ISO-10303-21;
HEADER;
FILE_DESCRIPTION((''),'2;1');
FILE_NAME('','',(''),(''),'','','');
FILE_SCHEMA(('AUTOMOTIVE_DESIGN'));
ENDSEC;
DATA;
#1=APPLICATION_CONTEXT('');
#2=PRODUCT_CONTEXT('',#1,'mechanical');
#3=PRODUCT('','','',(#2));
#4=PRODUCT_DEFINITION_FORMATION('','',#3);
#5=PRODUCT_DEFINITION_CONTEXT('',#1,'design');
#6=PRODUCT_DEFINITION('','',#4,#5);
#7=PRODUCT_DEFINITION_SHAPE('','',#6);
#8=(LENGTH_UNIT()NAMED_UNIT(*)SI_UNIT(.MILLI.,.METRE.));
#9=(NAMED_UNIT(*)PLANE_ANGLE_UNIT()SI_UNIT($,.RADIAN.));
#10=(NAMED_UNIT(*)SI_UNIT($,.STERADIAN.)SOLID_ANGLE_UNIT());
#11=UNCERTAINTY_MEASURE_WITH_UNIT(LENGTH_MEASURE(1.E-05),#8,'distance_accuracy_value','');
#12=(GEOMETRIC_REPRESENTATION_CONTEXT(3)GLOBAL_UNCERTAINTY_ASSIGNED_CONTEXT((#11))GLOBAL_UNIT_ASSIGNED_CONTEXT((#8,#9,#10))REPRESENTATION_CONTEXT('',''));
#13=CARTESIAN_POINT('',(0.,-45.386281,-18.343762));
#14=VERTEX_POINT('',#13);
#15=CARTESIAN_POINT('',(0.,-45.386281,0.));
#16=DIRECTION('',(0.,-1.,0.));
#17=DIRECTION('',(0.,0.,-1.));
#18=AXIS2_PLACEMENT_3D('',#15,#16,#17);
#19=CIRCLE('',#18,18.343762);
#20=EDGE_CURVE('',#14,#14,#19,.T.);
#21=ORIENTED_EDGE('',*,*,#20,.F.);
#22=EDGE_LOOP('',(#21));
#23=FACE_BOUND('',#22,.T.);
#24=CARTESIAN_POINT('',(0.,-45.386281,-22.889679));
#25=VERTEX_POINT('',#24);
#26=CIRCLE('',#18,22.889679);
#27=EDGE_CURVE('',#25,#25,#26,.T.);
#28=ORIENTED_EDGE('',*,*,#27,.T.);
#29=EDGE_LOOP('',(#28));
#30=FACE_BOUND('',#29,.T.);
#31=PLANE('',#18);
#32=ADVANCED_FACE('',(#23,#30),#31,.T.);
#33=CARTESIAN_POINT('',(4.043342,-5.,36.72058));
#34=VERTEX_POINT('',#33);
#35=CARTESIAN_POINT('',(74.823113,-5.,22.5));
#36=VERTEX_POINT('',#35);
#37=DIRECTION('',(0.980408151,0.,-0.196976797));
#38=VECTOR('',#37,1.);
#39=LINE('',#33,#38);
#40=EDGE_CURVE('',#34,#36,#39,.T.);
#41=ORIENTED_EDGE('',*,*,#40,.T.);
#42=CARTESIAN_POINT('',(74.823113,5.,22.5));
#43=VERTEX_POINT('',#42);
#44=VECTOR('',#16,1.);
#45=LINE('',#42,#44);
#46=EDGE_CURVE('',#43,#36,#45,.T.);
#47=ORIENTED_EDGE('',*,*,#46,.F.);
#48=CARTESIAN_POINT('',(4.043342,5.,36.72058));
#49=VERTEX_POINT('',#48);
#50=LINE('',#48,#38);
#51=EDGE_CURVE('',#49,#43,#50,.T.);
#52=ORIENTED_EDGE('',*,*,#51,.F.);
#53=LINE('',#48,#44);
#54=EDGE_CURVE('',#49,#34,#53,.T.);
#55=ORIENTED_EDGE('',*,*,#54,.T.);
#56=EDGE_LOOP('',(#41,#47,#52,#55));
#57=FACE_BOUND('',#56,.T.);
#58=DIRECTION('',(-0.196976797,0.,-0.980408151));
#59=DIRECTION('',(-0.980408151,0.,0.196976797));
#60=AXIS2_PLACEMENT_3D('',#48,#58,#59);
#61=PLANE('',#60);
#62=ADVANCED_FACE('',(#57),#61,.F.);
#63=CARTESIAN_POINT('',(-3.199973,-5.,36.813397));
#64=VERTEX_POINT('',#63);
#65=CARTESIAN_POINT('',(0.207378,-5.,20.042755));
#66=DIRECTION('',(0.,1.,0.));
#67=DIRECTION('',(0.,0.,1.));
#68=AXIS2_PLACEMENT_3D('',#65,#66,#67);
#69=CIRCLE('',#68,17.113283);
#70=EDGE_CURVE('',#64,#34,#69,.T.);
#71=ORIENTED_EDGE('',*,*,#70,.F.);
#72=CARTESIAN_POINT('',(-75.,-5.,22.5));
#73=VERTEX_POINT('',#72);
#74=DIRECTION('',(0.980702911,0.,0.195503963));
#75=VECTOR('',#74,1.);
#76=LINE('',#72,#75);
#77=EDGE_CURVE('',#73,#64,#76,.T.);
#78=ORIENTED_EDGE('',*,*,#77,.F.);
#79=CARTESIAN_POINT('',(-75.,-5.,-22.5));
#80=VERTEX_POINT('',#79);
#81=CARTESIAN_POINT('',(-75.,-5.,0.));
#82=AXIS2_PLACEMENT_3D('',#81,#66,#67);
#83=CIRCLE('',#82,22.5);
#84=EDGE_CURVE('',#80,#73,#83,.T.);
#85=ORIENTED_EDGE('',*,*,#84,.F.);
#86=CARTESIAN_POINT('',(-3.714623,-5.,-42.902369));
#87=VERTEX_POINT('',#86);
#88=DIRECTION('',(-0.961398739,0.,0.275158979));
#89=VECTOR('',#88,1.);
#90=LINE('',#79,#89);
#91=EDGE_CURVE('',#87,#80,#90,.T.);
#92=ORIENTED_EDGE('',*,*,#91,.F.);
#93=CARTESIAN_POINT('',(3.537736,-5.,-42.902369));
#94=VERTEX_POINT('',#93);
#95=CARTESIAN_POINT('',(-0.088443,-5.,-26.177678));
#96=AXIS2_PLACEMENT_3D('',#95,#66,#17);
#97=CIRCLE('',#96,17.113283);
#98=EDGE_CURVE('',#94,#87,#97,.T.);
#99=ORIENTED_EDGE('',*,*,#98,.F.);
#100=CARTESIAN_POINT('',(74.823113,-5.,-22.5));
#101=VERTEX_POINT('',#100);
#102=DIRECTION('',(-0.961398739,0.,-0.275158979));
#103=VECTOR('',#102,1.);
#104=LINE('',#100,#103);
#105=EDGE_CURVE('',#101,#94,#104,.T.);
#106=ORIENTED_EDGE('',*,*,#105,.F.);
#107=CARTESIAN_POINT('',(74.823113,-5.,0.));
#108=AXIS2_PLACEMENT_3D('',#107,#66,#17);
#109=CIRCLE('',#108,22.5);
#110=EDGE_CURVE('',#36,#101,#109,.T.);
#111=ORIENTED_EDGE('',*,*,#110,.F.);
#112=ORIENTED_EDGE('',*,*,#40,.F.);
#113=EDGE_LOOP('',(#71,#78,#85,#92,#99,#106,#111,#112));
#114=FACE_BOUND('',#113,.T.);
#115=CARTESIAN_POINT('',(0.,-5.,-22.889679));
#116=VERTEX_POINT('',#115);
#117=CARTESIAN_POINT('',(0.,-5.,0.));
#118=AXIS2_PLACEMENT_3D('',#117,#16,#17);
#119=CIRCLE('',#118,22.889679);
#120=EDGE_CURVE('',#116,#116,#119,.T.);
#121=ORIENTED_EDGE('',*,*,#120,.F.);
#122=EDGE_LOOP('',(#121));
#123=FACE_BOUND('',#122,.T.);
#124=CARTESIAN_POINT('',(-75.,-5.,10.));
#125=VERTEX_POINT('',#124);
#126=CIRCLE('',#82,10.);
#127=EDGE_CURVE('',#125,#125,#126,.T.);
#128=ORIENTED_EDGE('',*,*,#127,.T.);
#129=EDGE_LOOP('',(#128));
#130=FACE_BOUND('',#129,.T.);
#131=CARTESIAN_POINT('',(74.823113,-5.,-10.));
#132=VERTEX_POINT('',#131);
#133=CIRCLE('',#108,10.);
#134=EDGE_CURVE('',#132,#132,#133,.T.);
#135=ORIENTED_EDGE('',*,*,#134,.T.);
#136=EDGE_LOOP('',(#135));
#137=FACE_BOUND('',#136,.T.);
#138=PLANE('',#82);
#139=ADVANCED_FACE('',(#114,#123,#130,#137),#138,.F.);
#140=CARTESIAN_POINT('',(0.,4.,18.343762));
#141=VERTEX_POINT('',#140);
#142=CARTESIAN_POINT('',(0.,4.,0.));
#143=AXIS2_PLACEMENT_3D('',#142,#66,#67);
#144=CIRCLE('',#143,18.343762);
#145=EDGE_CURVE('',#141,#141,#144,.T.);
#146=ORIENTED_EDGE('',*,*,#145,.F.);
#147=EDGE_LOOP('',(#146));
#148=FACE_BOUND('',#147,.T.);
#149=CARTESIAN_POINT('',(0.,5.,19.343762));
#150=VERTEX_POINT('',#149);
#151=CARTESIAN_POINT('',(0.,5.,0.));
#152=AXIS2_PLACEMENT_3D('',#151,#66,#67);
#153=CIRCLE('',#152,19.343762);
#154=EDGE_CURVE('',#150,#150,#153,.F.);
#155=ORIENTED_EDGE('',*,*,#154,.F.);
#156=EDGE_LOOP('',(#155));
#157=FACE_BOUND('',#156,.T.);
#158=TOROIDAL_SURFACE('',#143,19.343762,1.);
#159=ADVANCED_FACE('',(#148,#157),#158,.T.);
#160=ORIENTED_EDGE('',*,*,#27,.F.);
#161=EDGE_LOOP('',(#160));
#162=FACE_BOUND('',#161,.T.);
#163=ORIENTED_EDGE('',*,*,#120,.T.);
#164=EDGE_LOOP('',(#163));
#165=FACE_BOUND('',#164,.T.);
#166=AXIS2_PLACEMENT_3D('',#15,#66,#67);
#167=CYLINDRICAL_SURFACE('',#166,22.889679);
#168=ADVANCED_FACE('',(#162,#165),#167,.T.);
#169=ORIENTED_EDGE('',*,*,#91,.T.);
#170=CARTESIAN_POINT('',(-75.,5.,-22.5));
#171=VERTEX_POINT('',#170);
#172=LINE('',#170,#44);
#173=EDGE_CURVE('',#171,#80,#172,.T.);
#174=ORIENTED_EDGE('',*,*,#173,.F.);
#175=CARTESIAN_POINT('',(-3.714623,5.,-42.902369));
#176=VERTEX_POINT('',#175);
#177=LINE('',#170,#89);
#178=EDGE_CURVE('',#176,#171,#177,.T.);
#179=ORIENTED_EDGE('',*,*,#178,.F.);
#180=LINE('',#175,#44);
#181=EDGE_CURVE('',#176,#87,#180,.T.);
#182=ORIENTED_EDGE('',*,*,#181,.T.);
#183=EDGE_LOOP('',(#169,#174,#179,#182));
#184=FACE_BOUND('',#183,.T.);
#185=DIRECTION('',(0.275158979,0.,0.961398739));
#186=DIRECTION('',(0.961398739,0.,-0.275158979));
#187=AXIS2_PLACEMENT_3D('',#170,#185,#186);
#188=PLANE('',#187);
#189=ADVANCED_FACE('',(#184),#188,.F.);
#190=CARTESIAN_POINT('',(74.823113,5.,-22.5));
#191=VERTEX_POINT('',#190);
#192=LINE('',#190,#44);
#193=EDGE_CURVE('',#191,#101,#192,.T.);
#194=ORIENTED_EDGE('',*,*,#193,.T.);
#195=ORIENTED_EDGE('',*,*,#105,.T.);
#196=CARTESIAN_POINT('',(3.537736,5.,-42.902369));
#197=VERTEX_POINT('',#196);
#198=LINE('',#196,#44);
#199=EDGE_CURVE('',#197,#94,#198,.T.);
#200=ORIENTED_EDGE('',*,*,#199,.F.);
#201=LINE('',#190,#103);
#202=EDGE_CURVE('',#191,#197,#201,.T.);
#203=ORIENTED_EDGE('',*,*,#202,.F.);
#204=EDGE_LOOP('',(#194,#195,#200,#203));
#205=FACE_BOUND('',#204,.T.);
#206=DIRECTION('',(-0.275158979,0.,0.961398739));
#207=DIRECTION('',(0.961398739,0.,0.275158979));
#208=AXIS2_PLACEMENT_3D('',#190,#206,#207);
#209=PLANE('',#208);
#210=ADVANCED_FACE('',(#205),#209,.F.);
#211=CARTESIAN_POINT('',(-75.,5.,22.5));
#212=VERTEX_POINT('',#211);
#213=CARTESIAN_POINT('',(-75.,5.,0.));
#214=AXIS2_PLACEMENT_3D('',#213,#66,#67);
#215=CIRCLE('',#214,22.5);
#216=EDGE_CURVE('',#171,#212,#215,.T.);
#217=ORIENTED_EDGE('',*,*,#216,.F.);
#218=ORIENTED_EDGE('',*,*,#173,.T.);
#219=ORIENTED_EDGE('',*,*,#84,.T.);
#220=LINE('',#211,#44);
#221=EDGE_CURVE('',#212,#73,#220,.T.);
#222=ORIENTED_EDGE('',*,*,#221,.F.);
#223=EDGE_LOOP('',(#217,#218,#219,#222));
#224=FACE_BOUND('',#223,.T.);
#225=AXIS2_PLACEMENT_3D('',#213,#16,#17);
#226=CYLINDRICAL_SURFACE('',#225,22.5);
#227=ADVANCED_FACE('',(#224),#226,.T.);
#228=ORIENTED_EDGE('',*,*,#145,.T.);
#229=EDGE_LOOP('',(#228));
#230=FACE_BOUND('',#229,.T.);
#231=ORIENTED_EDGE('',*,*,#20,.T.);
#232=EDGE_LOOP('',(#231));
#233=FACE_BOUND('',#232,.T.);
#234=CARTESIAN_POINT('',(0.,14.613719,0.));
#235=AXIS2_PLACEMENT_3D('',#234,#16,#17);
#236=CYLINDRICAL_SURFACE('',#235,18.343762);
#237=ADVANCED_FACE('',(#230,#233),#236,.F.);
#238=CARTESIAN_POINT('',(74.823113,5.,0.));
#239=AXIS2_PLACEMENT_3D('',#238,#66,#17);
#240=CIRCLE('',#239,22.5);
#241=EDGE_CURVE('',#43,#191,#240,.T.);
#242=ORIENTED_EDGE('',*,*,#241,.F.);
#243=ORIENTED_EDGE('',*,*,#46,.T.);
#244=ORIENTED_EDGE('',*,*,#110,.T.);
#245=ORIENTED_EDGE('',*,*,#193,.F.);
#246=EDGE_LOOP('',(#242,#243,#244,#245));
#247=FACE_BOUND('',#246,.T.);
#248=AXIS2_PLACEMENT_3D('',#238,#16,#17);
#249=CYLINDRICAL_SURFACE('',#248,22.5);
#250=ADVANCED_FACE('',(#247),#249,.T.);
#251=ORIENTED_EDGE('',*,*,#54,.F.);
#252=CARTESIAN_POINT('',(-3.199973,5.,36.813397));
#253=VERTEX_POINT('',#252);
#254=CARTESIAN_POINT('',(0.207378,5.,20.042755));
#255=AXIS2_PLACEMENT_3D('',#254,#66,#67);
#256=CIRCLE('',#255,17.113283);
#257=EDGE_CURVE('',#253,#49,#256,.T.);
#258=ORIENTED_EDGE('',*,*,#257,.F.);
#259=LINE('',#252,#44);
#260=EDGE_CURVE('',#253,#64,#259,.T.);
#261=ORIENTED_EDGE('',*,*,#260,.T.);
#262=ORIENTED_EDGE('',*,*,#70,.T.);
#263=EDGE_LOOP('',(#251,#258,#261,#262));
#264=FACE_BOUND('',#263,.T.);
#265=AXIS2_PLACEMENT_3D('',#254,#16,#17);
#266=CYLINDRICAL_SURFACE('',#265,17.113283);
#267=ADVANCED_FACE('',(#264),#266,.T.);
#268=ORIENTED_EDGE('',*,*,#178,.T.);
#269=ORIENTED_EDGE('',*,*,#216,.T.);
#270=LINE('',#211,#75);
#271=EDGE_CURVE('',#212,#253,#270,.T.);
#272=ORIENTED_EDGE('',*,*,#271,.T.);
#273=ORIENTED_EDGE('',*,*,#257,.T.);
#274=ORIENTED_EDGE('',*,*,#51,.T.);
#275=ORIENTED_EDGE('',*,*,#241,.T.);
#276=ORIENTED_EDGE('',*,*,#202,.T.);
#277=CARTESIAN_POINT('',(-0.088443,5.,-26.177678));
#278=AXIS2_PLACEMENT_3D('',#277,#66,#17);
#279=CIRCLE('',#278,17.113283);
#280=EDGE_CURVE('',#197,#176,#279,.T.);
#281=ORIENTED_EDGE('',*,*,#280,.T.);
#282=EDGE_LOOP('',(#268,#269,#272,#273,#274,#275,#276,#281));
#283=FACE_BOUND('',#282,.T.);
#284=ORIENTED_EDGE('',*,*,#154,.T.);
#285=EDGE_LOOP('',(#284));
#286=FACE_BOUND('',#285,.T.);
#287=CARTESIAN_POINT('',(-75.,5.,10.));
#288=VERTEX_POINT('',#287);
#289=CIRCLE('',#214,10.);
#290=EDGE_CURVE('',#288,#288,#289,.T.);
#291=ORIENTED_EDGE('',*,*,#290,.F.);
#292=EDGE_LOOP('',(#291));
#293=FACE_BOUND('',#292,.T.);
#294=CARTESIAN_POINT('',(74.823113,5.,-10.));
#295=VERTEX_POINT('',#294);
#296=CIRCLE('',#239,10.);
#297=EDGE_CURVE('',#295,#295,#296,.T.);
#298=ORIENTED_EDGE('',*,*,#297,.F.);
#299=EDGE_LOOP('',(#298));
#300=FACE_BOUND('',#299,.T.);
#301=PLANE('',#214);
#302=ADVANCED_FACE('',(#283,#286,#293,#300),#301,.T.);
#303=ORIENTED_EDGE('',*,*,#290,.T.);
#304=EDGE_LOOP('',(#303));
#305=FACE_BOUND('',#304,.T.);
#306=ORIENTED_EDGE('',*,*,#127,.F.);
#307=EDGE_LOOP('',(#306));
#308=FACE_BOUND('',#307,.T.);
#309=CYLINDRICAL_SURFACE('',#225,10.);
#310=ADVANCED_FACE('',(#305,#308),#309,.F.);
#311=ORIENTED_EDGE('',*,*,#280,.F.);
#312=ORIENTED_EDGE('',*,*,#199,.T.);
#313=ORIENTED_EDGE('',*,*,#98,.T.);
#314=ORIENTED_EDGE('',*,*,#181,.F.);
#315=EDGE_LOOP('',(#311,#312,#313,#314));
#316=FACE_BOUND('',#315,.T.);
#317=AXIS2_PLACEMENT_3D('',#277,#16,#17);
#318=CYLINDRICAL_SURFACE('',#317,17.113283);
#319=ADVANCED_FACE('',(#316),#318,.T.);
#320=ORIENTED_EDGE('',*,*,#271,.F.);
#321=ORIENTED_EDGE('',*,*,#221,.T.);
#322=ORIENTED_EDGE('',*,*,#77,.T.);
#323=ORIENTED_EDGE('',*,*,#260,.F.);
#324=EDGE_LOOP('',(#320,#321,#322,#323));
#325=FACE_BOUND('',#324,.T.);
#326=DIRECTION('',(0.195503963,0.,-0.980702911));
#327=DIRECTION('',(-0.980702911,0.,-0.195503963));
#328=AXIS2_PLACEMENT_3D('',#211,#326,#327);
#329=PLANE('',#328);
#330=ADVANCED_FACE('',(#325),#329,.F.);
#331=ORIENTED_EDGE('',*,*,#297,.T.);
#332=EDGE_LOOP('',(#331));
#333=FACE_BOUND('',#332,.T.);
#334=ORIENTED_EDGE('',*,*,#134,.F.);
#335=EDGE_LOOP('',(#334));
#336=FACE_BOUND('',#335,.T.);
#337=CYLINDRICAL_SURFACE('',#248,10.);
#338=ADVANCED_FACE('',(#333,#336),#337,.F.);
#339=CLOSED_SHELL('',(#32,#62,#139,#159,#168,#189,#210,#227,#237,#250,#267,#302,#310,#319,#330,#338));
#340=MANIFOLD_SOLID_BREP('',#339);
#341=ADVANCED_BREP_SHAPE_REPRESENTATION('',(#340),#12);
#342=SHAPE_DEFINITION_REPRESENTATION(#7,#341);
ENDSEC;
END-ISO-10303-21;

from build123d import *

# Parameters (mm, degrees)
SKETCH1_R           = 17.785523023
SKETCH1_R_2         = 10
BOSS_EXTRUDE1_DEPTH = 5
SKETCH2_R           = 22.889678729
BOSS_EXTRUDE2_DEPTH = 40.386280802
SKETCH4_R           = 18.343761553
CUT_EXTRUDE1_DEPTH  = 60
FILLET1_R           = 1


with BuildPart() as part:
    # Sketch1 → Boss-Extrude1 (new, symmetric)
    with BuildSketch(Plane(origin=(0, 0, 0), x_dir=(1, 0, 0), z_dir=(0, 1, 0))):
        with BuildLine():
            Line((-75, -22.5), (-3.19997264, -36.813396757))
            ThreePointArc((-3.19997264, -36.813396757), (0.426652195, -37.154633481), (4.043342361, -36.720579984))
            Line((4.043342361, -36.720579984), (74.823113208, -22.5))
            ThreePointArc((74.823113208, -22.5), (97.323113208, 0), (74.823113208, 22.5))
            Line((74.823113208, 22.5), (3.537735849, 42.902368838))
            ThreePointArc((3.537735849, 42.902368838), (-0.088443396, 43.290961135), (-3.714622642, 42.902368838))
            Line((-3.714622642, 42.902368838), (-75, 22.5))
            ThreePointArc((-75, 22.5), (-97.5, 0), (-75, -22.5))
        make_face()
        with Locations(Location((0, 0, 0), (0, 0, 270))):
            Circle(SKETCH1_R, mode=Mode.SUBTRACT)
        with Locations(Location((-75, 0, 0), (0, 0, 270))):
            Circle(SKETCH1_R_2, mode=Mode.SUBTRACT)
        with Locations(Location((74.823113208, 0, 0), (0, 0, 90))):
            Circle(SKETCH1_R_2, mode=Mode.SUBTRACT)
    extrude(amount=BOSS_EXTRUDE1_DEPTH, both=True)

    # Sketch2 → Boss-Extrude2 (add)
    with BuildSketch(Plane.XZ.offset(5)):
        with Locations(Location((0, 0, 0), (0, 0, 270))):
            Circle(SKETCH2_R)
    extrude(amount=BOSS_EXTRUDE2_DEPTH)

    # Sketch4 → Cut-Extrude1 (cut)
    with BuildSketch(Plane.XZ.offset(45.386280802)):
        with Locations(Location((0, 0, 0), (0, 0, 270))):
            Circle(SKETCH4_R)
    extrude(amount=-CUT_EXTRUDE1_DEPTH, mode=Mode.SUBTRACT)

    # Fillet1
    fillet1_edges = [part.edges().sort_by_distance(p)[0] for p in [
        (0, 5, 18.343761553),
    ]]
    fillet(fillet1_edges, radius=FILLET1_R)


solid = part.part
